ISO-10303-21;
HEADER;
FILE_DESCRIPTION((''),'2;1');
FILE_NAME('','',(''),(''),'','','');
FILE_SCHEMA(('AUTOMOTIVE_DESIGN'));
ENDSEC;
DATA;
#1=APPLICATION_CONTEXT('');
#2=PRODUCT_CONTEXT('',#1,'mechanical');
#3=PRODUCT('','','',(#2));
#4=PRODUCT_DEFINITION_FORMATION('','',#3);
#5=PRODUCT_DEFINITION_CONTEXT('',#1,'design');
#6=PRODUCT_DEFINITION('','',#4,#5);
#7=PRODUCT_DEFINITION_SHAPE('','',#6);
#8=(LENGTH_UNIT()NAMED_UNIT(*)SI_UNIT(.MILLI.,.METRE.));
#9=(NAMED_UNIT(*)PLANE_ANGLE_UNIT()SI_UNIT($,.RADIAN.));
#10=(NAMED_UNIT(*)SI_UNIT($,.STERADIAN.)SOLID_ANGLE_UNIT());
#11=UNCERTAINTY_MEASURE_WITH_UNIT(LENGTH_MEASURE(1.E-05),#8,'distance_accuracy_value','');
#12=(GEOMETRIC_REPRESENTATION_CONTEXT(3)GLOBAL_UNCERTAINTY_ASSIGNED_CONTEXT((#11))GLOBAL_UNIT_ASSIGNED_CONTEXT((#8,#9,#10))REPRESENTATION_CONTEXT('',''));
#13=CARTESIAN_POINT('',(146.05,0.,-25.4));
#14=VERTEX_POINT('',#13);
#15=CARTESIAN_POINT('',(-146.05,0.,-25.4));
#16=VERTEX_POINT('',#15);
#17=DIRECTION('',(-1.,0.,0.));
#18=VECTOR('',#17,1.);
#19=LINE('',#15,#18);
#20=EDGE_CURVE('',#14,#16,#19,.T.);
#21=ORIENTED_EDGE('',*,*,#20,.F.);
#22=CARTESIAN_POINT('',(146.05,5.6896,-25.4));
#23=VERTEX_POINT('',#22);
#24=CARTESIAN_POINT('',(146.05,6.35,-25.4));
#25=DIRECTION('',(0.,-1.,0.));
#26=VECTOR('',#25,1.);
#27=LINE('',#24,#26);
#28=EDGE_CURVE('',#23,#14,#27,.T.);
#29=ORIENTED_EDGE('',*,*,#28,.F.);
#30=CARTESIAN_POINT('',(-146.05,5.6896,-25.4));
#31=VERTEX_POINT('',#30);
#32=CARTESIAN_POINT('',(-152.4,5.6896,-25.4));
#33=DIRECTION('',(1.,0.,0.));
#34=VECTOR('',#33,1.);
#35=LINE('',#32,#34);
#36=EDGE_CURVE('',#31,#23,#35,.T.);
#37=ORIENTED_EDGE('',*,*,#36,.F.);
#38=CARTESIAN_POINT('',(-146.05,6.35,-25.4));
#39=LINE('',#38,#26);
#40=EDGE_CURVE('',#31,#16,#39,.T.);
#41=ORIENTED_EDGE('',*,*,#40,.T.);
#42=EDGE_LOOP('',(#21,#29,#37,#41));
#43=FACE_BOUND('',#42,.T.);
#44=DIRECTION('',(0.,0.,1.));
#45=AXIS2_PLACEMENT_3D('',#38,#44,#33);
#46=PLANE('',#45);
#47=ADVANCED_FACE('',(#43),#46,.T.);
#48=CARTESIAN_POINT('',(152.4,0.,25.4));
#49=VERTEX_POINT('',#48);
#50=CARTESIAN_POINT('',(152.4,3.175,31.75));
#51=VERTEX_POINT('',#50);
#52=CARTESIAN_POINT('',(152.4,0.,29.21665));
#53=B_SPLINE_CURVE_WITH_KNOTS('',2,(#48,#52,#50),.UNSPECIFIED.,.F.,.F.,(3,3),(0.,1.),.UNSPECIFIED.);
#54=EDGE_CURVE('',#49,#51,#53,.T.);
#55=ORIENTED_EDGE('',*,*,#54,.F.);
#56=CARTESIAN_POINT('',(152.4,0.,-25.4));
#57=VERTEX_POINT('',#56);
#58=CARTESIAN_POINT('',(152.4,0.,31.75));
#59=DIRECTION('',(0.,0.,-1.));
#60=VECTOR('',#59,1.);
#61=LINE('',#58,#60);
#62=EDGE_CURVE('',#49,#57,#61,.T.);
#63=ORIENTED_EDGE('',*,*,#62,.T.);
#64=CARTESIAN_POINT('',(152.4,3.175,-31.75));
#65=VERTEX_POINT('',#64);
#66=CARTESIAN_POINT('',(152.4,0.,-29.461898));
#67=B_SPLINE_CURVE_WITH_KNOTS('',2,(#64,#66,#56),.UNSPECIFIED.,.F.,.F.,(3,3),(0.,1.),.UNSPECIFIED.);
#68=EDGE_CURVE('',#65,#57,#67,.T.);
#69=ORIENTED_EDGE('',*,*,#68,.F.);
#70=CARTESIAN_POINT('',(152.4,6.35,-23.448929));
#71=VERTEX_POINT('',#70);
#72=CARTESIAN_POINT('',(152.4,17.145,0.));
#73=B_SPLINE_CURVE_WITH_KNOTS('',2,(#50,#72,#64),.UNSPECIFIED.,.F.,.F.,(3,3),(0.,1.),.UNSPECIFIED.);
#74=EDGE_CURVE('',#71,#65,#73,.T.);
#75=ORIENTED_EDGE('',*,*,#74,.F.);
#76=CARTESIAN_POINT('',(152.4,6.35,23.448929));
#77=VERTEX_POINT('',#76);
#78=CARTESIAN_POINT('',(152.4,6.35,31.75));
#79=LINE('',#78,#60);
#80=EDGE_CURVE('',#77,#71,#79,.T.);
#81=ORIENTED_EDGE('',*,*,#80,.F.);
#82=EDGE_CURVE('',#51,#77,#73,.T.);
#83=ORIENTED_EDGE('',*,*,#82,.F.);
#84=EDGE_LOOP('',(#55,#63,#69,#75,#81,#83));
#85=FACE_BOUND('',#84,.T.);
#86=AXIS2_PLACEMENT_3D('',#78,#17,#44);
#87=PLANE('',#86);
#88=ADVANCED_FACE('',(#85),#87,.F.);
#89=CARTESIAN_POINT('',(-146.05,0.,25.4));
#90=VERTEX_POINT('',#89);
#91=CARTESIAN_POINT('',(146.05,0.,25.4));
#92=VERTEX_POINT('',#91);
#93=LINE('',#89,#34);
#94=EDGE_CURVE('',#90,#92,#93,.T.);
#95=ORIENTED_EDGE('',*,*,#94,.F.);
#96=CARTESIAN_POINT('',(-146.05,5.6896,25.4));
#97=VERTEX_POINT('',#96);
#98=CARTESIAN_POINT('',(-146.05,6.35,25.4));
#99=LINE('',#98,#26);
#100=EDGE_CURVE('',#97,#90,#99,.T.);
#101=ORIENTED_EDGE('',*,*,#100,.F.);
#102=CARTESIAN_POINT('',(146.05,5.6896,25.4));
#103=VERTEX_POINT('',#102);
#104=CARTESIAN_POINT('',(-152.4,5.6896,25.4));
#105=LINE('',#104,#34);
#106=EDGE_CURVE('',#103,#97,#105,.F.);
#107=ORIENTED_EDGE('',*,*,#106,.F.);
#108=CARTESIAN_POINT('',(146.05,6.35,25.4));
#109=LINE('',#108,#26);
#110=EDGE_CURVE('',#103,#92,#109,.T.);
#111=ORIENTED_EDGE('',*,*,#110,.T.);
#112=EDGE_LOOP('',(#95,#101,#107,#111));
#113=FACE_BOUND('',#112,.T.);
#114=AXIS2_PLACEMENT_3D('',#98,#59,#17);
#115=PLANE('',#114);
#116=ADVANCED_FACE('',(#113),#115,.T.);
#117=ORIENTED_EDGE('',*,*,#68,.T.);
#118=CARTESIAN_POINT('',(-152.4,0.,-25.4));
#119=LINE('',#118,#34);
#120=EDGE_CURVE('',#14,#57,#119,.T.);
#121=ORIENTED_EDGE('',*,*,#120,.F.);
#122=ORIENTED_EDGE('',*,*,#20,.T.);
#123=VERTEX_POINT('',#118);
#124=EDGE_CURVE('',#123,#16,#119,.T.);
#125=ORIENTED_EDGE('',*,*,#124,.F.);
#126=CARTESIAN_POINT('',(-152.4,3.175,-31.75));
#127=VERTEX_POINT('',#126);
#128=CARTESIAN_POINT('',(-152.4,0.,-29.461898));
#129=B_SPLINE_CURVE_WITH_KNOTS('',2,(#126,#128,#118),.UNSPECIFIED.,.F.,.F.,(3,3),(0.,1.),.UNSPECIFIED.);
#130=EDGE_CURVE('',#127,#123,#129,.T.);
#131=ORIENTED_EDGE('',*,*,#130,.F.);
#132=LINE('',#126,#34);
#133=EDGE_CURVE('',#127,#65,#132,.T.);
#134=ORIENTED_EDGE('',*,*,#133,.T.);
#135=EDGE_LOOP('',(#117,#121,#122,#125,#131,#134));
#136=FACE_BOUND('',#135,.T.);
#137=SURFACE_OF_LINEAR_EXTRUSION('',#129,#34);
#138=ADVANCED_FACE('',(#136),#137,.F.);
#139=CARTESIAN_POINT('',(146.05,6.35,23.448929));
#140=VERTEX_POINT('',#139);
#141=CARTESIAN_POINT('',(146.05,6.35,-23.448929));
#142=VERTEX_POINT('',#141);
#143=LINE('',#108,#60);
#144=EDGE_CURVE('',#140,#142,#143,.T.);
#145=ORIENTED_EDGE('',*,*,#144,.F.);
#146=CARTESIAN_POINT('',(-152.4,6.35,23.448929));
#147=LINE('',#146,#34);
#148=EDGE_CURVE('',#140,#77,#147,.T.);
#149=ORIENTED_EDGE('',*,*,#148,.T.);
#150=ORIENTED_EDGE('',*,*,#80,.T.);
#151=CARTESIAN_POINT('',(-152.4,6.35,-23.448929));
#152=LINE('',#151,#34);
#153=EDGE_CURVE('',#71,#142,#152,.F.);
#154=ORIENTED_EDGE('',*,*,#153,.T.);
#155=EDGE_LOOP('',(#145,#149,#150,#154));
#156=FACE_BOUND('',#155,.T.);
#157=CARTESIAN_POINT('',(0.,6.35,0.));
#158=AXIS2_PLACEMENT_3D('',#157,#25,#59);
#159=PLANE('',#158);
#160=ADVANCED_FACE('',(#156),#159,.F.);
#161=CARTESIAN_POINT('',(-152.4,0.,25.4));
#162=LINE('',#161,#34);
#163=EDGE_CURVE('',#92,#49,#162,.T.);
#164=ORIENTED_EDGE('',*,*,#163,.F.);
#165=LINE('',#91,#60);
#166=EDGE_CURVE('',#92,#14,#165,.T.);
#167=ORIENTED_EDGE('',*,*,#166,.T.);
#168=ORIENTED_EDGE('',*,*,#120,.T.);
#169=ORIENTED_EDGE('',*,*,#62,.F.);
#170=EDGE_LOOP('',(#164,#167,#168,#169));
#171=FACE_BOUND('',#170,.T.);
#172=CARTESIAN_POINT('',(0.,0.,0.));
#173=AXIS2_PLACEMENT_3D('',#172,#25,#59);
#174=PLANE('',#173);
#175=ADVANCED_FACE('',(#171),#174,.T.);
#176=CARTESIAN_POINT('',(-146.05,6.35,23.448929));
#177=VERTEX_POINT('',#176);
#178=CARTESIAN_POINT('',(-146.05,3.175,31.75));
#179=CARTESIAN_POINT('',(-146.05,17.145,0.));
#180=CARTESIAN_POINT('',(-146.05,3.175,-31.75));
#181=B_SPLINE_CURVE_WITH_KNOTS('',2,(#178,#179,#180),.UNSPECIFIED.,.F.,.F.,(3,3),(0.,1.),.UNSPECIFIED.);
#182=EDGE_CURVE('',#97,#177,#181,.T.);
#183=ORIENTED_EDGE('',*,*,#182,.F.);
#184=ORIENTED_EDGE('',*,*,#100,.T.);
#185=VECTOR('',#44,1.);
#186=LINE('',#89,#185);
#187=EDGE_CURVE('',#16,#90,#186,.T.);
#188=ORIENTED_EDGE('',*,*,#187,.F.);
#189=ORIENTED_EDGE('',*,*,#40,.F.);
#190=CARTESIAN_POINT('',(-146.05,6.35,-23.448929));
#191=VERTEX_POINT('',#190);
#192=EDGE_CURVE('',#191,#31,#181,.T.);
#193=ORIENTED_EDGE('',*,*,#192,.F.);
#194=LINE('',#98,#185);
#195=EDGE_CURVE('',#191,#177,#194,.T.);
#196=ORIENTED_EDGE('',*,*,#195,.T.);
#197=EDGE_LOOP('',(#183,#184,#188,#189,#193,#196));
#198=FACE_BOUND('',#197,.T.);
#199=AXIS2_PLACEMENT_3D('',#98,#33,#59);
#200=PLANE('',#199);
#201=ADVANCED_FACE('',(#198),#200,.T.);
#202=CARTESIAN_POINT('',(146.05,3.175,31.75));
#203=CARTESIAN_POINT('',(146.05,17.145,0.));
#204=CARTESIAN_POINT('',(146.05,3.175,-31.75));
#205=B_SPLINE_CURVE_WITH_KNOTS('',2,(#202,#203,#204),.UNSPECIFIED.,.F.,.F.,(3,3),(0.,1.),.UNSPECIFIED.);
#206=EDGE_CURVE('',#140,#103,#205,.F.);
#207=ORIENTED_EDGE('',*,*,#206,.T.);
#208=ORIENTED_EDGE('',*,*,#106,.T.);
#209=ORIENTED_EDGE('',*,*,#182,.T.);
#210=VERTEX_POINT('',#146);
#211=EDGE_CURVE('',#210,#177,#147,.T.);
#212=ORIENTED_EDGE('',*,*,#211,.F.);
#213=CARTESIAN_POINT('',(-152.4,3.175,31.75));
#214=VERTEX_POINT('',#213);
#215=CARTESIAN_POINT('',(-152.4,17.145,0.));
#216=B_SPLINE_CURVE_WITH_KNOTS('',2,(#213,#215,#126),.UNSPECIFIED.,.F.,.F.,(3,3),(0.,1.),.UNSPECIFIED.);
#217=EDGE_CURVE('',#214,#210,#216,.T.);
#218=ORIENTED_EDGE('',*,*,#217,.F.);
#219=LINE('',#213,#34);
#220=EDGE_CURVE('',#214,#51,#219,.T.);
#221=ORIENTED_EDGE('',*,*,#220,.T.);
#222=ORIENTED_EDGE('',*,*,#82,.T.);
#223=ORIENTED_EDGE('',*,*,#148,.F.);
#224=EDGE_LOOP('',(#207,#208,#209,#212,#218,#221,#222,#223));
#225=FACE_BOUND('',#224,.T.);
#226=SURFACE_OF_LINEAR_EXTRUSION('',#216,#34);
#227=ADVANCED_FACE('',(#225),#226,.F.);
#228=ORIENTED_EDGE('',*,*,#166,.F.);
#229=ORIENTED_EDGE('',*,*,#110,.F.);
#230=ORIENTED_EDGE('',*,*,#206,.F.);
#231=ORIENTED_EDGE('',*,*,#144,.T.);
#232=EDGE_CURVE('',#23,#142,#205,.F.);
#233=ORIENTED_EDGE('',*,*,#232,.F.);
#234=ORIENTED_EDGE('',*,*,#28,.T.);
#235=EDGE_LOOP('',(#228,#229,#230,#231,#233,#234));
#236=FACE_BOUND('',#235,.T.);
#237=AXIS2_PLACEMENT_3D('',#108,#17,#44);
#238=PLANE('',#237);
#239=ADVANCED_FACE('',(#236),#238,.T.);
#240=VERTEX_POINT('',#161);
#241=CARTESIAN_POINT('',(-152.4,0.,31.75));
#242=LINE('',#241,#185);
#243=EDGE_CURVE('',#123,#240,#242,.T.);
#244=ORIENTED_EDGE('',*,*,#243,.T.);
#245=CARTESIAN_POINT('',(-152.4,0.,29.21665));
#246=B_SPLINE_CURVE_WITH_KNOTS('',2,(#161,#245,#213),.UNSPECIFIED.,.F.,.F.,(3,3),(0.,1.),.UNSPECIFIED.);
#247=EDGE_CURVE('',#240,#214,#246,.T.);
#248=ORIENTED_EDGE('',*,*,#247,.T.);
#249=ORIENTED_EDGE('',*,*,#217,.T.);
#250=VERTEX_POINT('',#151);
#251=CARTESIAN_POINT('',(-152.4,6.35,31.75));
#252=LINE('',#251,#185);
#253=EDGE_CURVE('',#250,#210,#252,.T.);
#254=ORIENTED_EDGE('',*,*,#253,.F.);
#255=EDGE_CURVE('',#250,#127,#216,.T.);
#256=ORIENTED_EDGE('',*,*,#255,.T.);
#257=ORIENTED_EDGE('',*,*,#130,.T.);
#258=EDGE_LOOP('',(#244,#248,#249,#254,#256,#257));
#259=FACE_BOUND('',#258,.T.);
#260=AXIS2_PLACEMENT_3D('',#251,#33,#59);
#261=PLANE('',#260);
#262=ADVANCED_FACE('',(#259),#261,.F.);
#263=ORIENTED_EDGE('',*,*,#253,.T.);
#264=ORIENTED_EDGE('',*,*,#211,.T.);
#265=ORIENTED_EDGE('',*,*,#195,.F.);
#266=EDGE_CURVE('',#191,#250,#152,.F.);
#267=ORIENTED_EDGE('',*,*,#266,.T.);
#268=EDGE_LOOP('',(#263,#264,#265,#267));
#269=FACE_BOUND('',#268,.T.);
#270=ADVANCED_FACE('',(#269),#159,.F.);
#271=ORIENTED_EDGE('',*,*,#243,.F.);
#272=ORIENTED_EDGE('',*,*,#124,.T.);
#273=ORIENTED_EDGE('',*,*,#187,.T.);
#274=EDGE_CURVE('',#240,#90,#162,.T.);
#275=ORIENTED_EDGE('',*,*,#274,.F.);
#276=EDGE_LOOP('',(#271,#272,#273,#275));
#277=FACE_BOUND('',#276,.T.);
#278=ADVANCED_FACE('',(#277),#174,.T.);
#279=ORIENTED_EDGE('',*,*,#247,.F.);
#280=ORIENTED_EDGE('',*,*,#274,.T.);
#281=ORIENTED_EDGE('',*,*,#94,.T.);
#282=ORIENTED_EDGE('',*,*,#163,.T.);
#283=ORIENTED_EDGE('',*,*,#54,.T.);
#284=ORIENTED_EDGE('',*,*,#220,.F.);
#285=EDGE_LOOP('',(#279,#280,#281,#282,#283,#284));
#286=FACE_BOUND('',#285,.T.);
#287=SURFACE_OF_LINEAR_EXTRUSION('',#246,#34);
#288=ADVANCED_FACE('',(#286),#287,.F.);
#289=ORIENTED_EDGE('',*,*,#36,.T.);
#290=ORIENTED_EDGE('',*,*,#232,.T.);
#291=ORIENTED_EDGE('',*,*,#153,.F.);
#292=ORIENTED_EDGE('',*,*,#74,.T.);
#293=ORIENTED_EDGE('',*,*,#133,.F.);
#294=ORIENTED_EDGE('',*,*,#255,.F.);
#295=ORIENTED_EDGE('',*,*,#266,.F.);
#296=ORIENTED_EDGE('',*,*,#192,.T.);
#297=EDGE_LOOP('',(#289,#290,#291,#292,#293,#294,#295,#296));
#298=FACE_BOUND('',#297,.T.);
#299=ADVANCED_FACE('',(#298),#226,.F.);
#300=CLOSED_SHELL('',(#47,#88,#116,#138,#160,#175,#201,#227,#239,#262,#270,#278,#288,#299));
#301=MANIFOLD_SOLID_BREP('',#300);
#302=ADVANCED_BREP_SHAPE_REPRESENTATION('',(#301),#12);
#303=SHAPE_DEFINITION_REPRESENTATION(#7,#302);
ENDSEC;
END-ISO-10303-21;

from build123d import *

# Parameters (mm, degrees)
SKETCH2_W           = 304.8
SKETCH2_H           = 63.5
SKETCH2_W_2         = 292.1
SKETCH2_H_2         = 50.8
BOSS_EXTRUDE1_DEPTH = 6.35
CUT_EXTRUDE1_DEPTH  = 305.8


with BuildPart() as part:
    # Sketch2 → Boss-Extrude1 (new body)
    with BuildSketch(Plane(origin=(0, 0, 0), x_dir=(1, 0, 0), z_dir=(0, 1, 0))):
        Rectangle(SKETCH2_W, SKETCH2_H)
        Rectangle(SKETCH2_W_2, SKETCH2_H_2, mode=Mode.SUBTRACT)
    extrude(amount=BOSS_EXTRUDE1_DEPTH)

    # Sketch3 → Cut-Extrude1 (cut, through all)
    with BuildSketch(Plane(origin=(152.4, 0, 0), x_dir=(0, 0, -1), z_dir=(1, 0, 0))):
        with BuildLine():
            Line((-25.4, 0), (-25.4, -8.736367268))
            Line((-25.4, -8.736367268), (-38.728215981, -8.736367268))
            Line((-38.728215981, -8.736367268), (-38.728215981, 15.541993339))
            Line((-38.728215981, 15.541993339), (38.923484297, 15.541993339))
            Line((38.923484297, 15.541993339), (38.923484297, -8.736367268))
            Line((38.923484297, -8.736367268), (25.4, -8.736367268))
            Line((25.4, -8.736367268), (25.4, 0))
            add(Edge.make_bspline(
                [(31.75, 3.175), (29.461898019, 0), (25.4, 0)],
                knots=[0, 0, 0, 1, 1, 1], degree=2))
            add(Edge.make_bspline(
                [(-31.75, 3.175), (0, 17.145), (31.75, 3.175)],
                knots=[0, 0, 0, 1, 1, 1], degree=2))
            add(Edge.make_bspline(
                [(-31.75, 3.175), (-29.216649895, 0), (-25.4, 0)],
                knots=[0, 0, 0, 1, 1, 1], degree=2))
        make_face()
    extrude(amount=-CUT_EXTRUDE1_DEPTH, mode=Mode.SUBTRACT)


solid = part.part
